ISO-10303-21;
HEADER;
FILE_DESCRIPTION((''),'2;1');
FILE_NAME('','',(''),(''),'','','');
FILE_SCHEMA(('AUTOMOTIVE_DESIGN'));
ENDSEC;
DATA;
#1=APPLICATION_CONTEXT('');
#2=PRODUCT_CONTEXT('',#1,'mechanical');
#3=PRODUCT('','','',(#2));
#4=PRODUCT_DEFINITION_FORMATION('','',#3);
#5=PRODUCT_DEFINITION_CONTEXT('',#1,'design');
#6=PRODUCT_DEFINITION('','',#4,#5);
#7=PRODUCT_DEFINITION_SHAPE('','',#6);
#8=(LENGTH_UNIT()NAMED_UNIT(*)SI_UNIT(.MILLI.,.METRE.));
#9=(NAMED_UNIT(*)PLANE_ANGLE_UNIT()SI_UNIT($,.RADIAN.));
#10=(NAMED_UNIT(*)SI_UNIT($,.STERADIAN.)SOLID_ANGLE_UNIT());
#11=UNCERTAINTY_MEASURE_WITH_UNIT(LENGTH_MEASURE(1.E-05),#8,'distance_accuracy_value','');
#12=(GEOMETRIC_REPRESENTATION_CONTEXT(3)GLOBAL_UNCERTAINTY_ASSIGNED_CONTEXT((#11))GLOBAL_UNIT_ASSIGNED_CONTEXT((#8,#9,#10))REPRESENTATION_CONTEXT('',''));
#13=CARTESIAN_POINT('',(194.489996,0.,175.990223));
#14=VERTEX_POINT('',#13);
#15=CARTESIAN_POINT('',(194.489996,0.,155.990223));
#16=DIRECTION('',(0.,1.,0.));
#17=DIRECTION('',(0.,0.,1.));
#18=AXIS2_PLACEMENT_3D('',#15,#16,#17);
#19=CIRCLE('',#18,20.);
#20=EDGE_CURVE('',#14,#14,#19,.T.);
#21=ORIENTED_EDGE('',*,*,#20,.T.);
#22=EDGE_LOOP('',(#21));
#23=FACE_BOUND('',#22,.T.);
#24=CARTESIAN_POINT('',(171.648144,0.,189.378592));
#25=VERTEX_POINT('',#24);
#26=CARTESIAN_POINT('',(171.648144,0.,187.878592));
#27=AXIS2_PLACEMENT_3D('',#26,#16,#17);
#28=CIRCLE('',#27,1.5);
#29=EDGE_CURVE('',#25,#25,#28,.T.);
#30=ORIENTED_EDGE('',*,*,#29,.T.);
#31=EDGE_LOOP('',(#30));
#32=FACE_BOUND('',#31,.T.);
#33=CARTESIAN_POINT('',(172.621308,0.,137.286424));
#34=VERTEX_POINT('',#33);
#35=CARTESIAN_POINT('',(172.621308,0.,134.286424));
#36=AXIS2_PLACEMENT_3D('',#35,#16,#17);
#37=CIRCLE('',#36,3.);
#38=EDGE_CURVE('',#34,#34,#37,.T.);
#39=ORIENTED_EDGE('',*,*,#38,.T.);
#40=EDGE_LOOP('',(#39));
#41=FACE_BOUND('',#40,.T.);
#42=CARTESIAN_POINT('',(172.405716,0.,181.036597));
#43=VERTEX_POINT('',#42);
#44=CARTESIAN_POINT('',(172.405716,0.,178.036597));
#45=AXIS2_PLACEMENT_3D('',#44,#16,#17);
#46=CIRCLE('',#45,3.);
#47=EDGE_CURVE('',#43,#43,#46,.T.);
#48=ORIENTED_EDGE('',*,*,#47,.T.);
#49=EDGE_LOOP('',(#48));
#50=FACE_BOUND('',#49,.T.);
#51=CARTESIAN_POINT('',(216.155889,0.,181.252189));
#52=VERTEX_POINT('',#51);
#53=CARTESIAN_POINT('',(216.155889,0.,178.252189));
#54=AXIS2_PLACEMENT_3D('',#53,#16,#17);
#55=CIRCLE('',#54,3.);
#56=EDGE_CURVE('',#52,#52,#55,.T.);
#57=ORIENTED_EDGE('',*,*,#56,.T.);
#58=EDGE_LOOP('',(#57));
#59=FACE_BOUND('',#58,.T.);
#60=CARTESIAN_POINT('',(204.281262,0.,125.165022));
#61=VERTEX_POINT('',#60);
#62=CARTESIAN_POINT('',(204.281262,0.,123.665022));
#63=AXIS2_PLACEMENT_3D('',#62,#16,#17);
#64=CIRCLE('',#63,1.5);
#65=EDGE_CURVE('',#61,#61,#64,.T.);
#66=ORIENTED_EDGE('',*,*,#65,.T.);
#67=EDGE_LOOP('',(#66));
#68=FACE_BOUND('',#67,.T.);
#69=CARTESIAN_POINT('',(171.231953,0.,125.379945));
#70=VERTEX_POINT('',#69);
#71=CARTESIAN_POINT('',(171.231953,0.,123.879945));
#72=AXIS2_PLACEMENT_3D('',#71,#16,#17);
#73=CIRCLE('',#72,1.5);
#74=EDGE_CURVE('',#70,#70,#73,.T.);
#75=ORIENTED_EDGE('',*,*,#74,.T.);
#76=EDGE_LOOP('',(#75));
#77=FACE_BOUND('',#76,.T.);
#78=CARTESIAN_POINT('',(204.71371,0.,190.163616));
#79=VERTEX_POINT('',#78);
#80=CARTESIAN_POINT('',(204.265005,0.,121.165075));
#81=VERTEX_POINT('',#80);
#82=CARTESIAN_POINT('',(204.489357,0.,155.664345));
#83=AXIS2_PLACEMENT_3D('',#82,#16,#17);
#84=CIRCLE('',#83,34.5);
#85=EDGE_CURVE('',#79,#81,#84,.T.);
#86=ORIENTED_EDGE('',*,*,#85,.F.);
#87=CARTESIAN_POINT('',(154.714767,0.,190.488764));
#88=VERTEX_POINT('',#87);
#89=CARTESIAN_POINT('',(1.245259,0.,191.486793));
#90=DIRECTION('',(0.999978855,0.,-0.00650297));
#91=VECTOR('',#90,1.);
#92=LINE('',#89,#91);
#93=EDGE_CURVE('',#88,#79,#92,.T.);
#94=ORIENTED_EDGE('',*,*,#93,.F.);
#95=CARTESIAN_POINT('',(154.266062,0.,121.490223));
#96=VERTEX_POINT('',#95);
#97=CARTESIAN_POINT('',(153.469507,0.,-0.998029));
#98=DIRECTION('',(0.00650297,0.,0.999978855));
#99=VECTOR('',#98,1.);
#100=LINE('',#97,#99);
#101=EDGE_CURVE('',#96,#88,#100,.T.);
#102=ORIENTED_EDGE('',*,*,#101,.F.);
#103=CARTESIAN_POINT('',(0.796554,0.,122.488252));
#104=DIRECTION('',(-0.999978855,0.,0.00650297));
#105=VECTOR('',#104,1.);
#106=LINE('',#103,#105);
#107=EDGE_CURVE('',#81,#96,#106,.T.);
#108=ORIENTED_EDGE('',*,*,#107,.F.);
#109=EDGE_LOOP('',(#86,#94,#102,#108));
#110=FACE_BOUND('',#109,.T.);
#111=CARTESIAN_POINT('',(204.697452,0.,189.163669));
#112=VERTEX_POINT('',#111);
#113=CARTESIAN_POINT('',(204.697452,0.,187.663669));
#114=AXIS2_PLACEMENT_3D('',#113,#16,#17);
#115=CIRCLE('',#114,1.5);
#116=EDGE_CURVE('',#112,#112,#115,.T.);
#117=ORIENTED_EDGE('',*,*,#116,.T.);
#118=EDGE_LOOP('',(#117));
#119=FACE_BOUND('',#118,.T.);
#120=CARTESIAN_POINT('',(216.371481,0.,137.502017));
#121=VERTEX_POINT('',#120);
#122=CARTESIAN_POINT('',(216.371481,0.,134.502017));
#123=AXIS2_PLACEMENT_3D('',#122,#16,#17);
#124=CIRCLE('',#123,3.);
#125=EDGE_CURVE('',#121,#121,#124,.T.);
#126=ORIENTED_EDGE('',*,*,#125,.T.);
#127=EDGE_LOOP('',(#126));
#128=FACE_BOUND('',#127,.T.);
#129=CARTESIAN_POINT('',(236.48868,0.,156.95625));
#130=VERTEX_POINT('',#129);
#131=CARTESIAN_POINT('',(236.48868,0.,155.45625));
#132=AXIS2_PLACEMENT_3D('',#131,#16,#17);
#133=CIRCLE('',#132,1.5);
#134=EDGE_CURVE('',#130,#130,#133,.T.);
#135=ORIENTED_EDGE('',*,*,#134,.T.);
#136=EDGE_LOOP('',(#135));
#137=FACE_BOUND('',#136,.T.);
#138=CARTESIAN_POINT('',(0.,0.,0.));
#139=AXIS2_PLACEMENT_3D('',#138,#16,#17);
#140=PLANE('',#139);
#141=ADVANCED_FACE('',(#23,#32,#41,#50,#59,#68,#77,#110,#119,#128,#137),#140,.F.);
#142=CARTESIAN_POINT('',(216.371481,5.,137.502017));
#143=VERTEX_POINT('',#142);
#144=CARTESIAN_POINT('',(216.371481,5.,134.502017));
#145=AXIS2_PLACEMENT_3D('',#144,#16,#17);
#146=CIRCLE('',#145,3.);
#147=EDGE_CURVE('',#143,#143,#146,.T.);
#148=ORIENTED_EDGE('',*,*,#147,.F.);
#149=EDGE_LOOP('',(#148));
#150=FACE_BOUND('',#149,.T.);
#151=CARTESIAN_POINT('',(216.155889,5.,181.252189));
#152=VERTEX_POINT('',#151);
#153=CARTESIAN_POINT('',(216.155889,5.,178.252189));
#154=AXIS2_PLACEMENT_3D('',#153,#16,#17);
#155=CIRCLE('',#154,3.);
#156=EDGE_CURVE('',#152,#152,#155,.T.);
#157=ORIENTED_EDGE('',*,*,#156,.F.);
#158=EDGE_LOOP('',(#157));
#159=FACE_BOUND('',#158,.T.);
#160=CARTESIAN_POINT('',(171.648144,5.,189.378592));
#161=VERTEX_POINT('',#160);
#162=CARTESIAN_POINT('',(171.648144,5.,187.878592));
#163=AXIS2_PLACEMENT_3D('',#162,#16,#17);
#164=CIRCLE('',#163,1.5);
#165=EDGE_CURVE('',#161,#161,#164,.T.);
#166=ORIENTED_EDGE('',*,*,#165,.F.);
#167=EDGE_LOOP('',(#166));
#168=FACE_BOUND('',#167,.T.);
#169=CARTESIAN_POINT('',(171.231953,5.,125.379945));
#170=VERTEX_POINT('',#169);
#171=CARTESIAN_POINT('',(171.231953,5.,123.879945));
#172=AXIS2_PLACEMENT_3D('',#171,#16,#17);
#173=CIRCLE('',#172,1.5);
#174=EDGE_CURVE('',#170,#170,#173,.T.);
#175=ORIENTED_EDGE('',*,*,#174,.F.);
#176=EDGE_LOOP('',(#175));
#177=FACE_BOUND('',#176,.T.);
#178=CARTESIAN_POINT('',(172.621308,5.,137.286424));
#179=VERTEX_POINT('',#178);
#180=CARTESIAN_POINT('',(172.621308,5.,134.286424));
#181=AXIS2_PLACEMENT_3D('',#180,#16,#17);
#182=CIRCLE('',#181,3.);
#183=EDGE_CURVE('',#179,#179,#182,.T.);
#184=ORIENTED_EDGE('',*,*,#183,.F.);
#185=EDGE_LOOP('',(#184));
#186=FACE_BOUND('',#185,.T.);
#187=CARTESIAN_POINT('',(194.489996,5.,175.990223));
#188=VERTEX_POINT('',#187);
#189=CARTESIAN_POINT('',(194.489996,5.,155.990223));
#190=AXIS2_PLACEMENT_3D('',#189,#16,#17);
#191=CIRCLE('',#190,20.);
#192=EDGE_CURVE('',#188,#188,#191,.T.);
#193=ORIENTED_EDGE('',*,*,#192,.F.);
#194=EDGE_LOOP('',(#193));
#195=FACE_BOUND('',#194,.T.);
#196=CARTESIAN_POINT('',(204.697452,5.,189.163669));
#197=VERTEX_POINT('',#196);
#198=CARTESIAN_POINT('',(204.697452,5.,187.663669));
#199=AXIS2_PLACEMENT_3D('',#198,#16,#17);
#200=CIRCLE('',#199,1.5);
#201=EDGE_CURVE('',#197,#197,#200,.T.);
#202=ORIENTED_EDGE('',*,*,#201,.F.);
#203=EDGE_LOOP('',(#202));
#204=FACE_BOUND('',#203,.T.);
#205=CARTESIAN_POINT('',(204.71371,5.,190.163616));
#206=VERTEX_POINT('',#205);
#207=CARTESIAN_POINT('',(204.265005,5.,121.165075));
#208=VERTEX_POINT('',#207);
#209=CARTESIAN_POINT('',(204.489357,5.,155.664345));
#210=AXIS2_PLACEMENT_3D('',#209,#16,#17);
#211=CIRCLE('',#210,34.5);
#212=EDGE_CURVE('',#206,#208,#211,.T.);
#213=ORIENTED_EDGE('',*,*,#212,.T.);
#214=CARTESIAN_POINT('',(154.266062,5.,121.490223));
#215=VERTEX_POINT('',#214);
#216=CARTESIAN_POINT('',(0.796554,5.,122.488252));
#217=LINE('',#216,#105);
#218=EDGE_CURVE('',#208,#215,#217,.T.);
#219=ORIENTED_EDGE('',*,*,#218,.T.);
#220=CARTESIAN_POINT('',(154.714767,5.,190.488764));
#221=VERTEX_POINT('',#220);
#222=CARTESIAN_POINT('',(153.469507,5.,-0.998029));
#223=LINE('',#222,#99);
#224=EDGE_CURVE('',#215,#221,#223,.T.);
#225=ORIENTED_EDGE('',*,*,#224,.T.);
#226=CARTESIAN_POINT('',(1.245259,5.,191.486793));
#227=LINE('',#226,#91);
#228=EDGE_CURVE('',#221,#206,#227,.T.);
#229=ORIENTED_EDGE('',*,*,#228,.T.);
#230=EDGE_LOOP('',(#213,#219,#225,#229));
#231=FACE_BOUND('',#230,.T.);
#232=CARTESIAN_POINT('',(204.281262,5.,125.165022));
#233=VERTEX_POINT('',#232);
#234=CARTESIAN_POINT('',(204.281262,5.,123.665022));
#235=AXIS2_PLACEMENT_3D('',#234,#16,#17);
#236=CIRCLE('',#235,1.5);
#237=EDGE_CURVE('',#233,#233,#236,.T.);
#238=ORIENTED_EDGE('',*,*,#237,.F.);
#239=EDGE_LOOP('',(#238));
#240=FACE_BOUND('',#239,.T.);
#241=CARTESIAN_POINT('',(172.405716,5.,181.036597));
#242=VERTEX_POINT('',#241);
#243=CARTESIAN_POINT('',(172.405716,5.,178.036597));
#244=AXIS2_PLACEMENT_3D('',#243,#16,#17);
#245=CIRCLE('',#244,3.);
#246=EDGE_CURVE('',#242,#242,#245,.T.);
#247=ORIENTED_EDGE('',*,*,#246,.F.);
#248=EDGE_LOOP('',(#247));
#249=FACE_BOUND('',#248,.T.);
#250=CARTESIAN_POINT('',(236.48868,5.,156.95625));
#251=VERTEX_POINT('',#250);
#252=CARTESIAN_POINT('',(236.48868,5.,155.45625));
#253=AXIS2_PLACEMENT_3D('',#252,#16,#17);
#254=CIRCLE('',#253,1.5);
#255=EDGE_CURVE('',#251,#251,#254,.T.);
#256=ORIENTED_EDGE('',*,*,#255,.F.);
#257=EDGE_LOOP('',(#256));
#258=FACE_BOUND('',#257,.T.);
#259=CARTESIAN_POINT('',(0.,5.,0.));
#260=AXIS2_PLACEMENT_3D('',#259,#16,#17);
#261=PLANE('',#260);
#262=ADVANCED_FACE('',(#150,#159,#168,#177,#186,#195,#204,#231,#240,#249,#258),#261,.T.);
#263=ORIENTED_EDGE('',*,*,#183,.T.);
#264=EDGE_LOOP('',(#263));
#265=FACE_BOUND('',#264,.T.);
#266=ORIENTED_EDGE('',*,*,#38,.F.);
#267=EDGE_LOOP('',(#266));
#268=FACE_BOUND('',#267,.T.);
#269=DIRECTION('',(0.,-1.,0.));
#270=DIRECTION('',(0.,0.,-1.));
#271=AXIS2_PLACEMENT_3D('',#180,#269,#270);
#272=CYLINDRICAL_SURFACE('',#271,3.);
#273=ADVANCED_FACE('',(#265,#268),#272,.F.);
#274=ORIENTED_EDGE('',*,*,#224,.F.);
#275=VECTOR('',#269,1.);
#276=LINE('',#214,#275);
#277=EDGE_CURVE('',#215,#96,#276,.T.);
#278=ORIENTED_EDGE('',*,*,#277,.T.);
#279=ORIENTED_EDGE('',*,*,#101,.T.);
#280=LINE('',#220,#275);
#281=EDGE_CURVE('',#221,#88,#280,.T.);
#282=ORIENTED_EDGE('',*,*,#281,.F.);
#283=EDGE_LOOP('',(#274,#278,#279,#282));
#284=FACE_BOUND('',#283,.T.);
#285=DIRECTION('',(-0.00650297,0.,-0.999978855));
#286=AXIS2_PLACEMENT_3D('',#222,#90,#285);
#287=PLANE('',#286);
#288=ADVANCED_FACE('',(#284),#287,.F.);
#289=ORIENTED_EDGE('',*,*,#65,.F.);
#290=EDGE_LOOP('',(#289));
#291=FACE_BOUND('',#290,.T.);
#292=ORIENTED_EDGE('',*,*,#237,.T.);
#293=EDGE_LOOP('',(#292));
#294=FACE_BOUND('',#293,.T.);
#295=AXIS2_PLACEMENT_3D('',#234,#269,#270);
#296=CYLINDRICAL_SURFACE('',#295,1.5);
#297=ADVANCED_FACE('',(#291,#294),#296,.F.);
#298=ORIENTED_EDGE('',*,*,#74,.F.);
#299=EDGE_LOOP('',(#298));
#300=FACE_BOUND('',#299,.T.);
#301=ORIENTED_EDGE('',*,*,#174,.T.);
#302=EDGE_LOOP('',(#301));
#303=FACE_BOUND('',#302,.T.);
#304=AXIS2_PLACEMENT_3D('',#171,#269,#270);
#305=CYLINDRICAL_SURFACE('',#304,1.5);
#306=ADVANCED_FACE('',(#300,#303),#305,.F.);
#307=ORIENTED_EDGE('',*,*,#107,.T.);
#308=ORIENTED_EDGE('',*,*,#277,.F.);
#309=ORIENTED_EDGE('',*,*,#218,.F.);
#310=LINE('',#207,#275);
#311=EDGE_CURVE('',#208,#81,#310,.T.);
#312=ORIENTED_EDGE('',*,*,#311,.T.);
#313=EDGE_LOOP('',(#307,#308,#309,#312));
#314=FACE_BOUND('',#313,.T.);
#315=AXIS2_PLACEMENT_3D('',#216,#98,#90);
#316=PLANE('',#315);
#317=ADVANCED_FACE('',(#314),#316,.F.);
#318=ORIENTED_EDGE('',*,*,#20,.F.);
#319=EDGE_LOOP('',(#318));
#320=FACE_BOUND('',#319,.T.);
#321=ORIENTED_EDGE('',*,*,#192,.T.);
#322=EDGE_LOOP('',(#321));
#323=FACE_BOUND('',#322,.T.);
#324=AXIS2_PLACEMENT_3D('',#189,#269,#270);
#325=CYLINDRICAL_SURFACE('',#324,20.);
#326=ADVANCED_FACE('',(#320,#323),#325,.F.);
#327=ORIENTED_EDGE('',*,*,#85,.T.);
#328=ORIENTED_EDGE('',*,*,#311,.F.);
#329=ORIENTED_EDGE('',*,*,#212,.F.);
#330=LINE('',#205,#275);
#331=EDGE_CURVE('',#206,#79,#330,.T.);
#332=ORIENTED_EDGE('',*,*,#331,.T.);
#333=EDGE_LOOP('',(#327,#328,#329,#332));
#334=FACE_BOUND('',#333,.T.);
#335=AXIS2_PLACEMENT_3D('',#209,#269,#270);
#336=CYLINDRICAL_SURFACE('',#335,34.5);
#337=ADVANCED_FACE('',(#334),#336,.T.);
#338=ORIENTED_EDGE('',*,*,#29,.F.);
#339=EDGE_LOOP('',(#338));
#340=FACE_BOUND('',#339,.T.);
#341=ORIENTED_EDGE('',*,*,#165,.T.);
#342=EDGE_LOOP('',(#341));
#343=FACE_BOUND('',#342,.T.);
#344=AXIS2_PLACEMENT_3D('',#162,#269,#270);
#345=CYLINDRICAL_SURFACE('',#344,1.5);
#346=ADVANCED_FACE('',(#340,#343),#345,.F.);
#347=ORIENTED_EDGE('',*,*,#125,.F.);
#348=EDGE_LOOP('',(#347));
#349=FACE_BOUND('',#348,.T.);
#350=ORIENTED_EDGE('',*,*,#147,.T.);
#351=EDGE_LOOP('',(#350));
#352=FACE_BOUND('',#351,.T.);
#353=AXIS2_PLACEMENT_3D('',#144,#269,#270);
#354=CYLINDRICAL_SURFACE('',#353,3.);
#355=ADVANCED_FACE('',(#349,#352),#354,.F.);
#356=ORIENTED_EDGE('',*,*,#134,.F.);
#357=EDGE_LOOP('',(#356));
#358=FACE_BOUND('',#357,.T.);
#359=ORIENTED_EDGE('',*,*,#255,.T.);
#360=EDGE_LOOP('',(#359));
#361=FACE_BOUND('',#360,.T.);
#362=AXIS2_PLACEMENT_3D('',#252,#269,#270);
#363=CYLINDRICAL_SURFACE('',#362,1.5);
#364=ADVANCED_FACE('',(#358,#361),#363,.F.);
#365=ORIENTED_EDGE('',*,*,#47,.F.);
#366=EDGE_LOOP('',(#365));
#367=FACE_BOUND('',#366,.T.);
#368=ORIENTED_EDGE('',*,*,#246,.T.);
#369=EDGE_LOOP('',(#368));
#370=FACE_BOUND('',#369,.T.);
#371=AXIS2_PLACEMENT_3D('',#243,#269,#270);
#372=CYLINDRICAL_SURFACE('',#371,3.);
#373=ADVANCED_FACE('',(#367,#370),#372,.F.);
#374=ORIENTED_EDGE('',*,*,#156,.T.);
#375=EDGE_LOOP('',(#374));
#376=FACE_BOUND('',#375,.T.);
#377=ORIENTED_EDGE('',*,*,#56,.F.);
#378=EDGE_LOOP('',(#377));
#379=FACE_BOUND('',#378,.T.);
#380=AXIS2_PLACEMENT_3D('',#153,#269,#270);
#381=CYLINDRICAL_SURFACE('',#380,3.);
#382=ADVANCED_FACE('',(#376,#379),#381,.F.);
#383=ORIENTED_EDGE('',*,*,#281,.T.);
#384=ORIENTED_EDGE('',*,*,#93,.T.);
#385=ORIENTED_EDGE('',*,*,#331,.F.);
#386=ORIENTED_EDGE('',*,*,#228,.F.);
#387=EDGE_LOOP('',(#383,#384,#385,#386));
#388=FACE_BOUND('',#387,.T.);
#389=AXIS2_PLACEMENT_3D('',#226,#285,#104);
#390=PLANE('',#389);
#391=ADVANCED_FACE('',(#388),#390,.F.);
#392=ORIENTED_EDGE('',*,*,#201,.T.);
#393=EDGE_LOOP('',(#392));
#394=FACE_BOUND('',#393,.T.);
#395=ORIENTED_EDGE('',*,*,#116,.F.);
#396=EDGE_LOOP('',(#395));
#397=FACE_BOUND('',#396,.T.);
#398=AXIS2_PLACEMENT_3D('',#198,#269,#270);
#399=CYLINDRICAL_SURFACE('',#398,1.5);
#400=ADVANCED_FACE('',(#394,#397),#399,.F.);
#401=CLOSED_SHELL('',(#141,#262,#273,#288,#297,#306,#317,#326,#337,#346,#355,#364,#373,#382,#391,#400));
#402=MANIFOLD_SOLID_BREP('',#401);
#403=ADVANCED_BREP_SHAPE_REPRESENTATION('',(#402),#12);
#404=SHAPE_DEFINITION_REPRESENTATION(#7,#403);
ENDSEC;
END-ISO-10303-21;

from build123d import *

# Parameters (mm, degrees)
SKETCH1_R           = 20
SKETCH1_R_2         = 3
SKETCH1_R_3         = 1.5
BOSS_EXTRUDE1_DEPTH = 5


with BuildPart() as part:
    # Sketch1 → Boss-Extrude1 (new body)
    with BuildSketch(Plane(origin=(0, 0, 0), x_dir=(1, 0, 0), z_dir=(0, 1, 0))):
        with BuildLine():
            Line((204.265004565, -121.165074652), (154.266061792, -121.490223172))
            Line((154.266061792, -121.490223172), (154.714766749, -190.488764199))
            Line((154.714766749, -190.488764199), (204.713709523, -190.163615679))
            ThreePointArc((204.713709523, -190.163615679), (238.988627557, -155.439992687), (204.265004565, -121.165074652))
        make_face()
        with Locations(Location((194.489996124, -155.990223157, 0), (0, 0, 270))):
            Circle(SKETCH1_R, mode=Mode.SUBTRACT)
        with Locations(Location((216.371480989, -134.502016601, 0), (0, 0, 270))):
            Circle(SKETCH1_R_2, mode=Mode.SUBTRACT)
        with Locations(Location((171.23195345, -123.879945011, 0), (0, 0, 270))):
            Circle(SKETCH1_R_3, mode=Mode.SUBTRACT)
        with Locations(Location((204.281261991, -123.665021791, 0), (0, 0, 270))):
            Circle(SKETCH1_R_3, mode=Mode.SUBTRACT)
        with Locations(Location((236.488680419, -155.456250113, 0), (0, 0, 270))):
            Circle(SKETCH1_R_3, mode=Mode.SUBTRACT)
        with Locations(Location((171.648143556, -187.87859176, 0), (0, 0, 270))):
            Circle(SKETCH1_R_3, mode=Mode.SUBTRACT)
        with Locations(Location((204.697452097, -187.663668541, 0), (0, 0, 270))):
            Circle(SKETCH1_R_3, mode=Mode.SUBTRACT)
        with Locations(Location((216.155888878, -178.252189218, 0), (0, 0, 270))):
            Circle(SKETCH1_R_2, mode=Mode.SUBTRACT)
        with Locations(Location((172.405716262, -178.036597107, 0), (0, 0, 270))):
            Circle(SKETCH1_R_2, mode=Mode.SUBTRACT)
        with Locations(Location((172.621308373, -134.286424491, 0), (0, 0, 270))):
            Circle(SKETCH1_R_2, mode=Mode.SUBTRACT)
    extrude(amount=BOSS_EXTRUDE1_DEPTH)


solid = part.part
